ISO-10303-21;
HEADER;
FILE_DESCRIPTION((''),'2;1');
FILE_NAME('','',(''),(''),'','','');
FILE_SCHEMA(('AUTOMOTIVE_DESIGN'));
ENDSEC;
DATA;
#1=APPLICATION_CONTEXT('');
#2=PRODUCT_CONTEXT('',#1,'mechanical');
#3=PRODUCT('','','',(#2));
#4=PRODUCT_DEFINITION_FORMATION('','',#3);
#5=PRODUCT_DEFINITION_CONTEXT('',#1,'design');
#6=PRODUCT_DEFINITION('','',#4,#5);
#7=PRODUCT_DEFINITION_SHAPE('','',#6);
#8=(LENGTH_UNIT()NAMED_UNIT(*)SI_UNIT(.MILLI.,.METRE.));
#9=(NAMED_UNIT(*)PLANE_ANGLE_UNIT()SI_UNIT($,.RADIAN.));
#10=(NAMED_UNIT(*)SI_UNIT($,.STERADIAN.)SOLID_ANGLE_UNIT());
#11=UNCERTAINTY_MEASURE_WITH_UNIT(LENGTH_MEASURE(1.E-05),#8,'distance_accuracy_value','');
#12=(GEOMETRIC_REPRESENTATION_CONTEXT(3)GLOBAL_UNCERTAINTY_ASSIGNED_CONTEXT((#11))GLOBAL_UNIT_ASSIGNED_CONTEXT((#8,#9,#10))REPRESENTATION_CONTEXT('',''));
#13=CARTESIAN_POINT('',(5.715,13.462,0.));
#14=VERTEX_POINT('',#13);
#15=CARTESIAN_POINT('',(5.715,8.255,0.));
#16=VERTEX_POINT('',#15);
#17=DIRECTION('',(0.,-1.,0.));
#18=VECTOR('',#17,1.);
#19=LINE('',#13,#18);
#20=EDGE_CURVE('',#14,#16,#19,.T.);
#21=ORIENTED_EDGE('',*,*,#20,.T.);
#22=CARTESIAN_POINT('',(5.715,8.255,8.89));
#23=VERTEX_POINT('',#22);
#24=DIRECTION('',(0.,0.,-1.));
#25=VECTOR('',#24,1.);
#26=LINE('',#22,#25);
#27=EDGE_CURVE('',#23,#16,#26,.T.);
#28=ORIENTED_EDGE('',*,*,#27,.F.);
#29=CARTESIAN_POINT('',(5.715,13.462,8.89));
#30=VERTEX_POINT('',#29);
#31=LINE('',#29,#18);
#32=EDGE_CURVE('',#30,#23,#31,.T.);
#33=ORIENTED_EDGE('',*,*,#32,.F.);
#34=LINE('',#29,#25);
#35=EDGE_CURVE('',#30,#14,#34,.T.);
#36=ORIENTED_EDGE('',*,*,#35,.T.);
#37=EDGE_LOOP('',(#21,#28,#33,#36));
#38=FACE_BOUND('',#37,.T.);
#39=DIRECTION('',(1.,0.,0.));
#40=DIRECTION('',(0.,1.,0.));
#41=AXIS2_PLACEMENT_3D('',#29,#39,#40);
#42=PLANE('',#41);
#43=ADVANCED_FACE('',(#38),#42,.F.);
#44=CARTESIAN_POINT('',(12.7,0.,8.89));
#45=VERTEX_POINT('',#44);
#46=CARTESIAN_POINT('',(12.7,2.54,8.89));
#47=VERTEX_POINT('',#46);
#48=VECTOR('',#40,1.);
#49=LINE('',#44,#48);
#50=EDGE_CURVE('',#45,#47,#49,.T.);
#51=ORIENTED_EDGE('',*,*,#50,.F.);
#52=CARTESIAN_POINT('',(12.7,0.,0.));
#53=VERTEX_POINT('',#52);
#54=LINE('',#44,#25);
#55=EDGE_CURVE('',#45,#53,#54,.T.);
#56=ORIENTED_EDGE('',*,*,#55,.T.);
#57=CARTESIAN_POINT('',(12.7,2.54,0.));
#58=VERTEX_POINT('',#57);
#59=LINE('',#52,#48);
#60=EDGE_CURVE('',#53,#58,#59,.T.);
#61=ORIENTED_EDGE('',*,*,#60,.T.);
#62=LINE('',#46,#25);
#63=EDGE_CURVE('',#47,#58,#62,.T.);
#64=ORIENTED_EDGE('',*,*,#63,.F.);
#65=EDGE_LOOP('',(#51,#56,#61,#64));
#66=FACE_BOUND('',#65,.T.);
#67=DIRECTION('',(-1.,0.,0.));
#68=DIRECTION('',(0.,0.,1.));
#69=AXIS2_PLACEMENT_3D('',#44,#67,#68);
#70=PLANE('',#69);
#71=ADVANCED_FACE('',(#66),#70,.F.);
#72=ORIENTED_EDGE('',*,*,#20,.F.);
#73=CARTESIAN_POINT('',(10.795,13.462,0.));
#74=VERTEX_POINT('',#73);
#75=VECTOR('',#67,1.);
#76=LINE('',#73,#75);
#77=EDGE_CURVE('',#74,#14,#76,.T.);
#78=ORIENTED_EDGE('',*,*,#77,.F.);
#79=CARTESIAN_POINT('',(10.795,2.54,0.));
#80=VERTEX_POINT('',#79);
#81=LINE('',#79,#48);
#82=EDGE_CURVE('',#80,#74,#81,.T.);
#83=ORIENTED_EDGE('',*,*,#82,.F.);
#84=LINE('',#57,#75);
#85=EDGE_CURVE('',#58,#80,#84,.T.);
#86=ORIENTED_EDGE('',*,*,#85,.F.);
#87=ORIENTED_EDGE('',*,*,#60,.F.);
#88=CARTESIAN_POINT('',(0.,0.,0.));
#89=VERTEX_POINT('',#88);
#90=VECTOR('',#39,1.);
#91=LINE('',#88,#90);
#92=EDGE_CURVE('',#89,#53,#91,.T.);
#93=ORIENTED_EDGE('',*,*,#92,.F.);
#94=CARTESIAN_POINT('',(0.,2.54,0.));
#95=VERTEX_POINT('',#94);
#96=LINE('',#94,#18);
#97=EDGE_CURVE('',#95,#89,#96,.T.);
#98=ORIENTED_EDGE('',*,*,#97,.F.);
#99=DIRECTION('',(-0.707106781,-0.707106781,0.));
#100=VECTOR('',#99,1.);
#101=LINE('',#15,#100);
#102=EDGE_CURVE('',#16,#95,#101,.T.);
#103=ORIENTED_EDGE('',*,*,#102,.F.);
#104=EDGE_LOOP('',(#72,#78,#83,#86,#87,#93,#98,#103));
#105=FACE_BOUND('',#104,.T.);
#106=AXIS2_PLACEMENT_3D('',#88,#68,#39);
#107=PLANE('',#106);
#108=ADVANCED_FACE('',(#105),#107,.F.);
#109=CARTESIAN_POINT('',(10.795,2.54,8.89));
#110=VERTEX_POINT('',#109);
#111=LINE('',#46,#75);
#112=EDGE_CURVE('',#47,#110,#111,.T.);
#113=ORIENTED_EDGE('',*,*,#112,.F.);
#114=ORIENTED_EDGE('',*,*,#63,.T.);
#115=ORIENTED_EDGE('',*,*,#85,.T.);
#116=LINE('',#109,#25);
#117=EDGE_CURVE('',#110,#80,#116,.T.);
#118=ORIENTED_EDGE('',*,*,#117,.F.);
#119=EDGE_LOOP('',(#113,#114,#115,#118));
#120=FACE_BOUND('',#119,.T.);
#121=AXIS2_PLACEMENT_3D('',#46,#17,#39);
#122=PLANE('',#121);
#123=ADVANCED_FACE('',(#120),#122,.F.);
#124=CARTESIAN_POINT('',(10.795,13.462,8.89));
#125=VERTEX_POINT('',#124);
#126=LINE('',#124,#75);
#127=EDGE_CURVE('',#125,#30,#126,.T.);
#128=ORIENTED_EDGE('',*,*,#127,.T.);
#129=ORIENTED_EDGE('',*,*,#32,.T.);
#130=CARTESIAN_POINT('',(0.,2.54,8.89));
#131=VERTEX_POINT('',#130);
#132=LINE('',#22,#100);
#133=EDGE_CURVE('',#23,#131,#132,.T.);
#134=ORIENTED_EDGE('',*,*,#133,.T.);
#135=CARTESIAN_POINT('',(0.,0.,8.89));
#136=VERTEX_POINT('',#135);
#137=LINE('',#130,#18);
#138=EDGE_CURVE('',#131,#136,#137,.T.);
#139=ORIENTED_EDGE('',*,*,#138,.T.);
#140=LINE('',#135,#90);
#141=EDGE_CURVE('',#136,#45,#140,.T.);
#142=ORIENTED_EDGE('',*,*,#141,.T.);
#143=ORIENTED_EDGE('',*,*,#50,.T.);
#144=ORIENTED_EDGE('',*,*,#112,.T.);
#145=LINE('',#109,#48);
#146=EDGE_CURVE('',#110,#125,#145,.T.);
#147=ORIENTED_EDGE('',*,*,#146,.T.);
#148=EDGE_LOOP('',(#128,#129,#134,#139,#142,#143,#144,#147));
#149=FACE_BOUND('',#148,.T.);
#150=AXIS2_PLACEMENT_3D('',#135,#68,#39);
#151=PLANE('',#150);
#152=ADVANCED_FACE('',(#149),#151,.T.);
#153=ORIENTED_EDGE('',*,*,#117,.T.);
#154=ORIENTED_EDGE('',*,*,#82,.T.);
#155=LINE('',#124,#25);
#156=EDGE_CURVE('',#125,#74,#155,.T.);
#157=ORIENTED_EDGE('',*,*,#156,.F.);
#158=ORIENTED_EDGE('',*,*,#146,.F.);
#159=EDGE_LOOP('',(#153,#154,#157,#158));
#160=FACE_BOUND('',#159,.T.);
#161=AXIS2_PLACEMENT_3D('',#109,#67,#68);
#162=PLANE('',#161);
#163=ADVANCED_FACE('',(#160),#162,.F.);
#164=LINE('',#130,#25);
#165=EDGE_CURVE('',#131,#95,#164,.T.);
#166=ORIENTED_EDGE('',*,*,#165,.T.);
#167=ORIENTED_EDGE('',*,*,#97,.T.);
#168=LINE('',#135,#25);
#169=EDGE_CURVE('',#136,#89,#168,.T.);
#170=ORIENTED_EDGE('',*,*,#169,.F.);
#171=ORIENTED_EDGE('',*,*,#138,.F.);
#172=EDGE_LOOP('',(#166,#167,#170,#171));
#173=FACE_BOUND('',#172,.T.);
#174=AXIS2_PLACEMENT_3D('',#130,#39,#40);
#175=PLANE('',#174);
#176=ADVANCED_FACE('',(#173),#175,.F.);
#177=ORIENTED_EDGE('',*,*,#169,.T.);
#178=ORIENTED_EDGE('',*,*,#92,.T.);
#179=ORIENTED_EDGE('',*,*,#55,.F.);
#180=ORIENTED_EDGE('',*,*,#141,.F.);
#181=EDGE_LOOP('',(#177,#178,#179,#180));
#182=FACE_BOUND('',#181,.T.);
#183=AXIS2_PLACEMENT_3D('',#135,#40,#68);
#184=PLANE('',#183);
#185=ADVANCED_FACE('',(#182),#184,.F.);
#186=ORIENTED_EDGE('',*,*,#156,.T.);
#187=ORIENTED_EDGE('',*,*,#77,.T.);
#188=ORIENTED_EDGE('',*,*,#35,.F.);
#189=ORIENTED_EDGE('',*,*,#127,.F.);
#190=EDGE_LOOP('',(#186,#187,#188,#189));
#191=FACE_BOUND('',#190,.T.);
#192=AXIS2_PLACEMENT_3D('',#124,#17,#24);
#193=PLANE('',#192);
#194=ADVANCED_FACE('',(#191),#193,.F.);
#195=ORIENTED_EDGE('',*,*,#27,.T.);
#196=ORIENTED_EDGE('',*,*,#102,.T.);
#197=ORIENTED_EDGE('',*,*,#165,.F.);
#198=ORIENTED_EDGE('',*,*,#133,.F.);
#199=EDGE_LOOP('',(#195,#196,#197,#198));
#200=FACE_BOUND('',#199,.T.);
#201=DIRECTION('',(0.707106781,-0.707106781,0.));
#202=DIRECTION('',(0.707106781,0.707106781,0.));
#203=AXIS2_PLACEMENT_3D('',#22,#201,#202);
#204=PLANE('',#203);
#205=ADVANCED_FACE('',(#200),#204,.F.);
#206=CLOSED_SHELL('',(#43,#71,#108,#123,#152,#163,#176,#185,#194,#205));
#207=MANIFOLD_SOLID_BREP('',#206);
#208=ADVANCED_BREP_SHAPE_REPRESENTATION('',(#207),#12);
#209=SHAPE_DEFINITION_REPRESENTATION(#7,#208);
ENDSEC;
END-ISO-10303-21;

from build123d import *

# Parameters (mm, degrees)
BOSS_EXTRUDE1_DEPTH = 8.89


with BuildPart() as part:
    # Sketch1 → Boss-Extrude1 (new body)
    with BuildSketch(Plane.XY):
        Polygon((0, 0), (12.7, 0), (12.7, 2.54), (10.795, 2.54), (10.795, 13.462), (5.715, 13.462), (5.715, 8.255), (0, 2.54), align=None)
    extrude(amount=BOSS_EXTRUDE1_DEPTH)


solid = part.part
